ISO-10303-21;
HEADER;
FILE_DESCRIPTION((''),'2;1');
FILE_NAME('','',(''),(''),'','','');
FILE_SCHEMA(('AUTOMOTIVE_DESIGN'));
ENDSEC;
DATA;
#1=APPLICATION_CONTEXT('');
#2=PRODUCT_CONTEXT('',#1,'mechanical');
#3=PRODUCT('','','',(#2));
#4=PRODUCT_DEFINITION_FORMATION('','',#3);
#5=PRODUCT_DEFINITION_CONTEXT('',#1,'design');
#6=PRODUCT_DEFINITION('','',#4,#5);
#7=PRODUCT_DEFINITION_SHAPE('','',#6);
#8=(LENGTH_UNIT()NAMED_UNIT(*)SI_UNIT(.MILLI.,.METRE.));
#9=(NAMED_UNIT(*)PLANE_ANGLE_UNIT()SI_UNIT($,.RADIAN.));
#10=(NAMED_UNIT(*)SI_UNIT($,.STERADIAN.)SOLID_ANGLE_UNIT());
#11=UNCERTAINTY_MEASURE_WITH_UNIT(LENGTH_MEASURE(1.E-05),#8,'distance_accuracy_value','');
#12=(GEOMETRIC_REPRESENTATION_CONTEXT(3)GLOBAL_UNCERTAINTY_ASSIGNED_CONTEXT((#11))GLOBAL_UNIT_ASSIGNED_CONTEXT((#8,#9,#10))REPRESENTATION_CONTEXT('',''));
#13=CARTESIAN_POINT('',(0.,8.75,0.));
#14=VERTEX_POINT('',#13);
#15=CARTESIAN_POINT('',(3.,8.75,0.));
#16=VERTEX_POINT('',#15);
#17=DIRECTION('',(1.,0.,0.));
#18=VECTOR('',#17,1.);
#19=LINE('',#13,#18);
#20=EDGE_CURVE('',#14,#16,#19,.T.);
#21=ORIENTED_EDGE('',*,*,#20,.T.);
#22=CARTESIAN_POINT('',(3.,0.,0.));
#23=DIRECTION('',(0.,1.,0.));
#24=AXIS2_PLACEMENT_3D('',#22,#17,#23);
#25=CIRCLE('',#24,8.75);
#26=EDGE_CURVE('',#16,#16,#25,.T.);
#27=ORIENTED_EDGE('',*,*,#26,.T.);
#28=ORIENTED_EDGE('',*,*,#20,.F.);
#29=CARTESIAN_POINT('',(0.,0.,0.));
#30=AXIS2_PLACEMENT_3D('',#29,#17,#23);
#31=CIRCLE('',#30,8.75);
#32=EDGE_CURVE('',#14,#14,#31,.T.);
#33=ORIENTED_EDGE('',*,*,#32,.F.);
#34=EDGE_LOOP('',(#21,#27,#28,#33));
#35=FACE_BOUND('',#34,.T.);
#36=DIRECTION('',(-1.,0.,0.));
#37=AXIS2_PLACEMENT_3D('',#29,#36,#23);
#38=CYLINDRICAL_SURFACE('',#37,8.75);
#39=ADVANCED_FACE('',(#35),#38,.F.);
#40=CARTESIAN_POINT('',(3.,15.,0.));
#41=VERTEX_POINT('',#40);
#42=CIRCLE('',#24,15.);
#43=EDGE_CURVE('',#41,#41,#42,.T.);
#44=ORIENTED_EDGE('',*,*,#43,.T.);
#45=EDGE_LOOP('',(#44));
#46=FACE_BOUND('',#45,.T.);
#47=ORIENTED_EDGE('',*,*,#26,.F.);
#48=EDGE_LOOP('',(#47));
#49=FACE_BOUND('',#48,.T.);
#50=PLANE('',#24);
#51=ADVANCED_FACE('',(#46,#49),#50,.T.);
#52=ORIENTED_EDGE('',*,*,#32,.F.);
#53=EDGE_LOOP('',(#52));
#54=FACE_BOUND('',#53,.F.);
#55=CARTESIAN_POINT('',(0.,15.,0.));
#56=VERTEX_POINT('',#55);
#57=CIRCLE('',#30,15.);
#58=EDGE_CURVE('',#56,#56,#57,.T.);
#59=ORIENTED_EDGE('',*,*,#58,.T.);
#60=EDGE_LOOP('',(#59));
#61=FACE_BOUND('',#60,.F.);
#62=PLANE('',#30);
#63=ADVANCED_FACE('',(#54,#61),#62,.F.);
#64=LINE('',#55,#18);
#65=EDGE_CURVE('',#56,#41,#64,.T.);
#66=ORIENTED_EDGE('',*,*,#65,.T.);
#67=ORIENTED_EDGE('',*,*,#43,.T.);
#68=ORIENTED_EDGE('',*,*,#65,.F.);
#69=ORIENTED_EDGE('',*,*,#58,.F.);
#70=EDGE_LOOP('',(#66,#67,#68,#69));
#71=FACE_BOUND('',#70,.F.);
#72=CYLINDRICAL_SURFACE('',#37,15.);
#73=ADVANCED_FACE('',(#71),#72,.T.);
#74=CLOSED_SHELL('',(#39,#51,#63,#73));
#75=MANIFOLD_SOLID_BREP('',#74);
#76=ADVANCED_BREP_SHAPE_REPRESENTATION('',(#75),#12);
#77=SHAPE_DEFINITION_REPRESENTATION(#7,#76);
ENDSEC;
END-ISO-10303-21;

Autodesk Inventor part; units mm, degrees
ref_plane "YZ Plane" through (0, 0, 0) normal (1, 0, 0) x (0, 1, 0)
ref_plane "XZ Plane" through (0, 0, 0) normal (0, 1, 0) x (-1, 0, 0)
sketch "Boceto" plane through (0, 0, 0) normal (1, 0, 0) x (0, 1, 0)
  circle A0 centre (0, 0) radius 15
  circle A1 centre (0, 0) radius 8.75
  dimension "d0" = 17.5
  dimension "d1" = 30
extrude "Cuerpo" add sketch "Boceto" along normal blind 3
ref_plane "Work Plane1" through (0, 0, 0) normal (0, 0, 1) x (1, 0, 0)
equation "\"d0\" = SD1"
equation "\"d1\" = SD2"
equation "\"d2\" = SD"
equation "\"SD1\" = 17.5"
equation "\"SD2\" = 30"
equation "\"SD\" = 3"
equation "\"NND\" = 16"
properties part number "CSN 02 1721 - 17,5" material "Acero, suave"
